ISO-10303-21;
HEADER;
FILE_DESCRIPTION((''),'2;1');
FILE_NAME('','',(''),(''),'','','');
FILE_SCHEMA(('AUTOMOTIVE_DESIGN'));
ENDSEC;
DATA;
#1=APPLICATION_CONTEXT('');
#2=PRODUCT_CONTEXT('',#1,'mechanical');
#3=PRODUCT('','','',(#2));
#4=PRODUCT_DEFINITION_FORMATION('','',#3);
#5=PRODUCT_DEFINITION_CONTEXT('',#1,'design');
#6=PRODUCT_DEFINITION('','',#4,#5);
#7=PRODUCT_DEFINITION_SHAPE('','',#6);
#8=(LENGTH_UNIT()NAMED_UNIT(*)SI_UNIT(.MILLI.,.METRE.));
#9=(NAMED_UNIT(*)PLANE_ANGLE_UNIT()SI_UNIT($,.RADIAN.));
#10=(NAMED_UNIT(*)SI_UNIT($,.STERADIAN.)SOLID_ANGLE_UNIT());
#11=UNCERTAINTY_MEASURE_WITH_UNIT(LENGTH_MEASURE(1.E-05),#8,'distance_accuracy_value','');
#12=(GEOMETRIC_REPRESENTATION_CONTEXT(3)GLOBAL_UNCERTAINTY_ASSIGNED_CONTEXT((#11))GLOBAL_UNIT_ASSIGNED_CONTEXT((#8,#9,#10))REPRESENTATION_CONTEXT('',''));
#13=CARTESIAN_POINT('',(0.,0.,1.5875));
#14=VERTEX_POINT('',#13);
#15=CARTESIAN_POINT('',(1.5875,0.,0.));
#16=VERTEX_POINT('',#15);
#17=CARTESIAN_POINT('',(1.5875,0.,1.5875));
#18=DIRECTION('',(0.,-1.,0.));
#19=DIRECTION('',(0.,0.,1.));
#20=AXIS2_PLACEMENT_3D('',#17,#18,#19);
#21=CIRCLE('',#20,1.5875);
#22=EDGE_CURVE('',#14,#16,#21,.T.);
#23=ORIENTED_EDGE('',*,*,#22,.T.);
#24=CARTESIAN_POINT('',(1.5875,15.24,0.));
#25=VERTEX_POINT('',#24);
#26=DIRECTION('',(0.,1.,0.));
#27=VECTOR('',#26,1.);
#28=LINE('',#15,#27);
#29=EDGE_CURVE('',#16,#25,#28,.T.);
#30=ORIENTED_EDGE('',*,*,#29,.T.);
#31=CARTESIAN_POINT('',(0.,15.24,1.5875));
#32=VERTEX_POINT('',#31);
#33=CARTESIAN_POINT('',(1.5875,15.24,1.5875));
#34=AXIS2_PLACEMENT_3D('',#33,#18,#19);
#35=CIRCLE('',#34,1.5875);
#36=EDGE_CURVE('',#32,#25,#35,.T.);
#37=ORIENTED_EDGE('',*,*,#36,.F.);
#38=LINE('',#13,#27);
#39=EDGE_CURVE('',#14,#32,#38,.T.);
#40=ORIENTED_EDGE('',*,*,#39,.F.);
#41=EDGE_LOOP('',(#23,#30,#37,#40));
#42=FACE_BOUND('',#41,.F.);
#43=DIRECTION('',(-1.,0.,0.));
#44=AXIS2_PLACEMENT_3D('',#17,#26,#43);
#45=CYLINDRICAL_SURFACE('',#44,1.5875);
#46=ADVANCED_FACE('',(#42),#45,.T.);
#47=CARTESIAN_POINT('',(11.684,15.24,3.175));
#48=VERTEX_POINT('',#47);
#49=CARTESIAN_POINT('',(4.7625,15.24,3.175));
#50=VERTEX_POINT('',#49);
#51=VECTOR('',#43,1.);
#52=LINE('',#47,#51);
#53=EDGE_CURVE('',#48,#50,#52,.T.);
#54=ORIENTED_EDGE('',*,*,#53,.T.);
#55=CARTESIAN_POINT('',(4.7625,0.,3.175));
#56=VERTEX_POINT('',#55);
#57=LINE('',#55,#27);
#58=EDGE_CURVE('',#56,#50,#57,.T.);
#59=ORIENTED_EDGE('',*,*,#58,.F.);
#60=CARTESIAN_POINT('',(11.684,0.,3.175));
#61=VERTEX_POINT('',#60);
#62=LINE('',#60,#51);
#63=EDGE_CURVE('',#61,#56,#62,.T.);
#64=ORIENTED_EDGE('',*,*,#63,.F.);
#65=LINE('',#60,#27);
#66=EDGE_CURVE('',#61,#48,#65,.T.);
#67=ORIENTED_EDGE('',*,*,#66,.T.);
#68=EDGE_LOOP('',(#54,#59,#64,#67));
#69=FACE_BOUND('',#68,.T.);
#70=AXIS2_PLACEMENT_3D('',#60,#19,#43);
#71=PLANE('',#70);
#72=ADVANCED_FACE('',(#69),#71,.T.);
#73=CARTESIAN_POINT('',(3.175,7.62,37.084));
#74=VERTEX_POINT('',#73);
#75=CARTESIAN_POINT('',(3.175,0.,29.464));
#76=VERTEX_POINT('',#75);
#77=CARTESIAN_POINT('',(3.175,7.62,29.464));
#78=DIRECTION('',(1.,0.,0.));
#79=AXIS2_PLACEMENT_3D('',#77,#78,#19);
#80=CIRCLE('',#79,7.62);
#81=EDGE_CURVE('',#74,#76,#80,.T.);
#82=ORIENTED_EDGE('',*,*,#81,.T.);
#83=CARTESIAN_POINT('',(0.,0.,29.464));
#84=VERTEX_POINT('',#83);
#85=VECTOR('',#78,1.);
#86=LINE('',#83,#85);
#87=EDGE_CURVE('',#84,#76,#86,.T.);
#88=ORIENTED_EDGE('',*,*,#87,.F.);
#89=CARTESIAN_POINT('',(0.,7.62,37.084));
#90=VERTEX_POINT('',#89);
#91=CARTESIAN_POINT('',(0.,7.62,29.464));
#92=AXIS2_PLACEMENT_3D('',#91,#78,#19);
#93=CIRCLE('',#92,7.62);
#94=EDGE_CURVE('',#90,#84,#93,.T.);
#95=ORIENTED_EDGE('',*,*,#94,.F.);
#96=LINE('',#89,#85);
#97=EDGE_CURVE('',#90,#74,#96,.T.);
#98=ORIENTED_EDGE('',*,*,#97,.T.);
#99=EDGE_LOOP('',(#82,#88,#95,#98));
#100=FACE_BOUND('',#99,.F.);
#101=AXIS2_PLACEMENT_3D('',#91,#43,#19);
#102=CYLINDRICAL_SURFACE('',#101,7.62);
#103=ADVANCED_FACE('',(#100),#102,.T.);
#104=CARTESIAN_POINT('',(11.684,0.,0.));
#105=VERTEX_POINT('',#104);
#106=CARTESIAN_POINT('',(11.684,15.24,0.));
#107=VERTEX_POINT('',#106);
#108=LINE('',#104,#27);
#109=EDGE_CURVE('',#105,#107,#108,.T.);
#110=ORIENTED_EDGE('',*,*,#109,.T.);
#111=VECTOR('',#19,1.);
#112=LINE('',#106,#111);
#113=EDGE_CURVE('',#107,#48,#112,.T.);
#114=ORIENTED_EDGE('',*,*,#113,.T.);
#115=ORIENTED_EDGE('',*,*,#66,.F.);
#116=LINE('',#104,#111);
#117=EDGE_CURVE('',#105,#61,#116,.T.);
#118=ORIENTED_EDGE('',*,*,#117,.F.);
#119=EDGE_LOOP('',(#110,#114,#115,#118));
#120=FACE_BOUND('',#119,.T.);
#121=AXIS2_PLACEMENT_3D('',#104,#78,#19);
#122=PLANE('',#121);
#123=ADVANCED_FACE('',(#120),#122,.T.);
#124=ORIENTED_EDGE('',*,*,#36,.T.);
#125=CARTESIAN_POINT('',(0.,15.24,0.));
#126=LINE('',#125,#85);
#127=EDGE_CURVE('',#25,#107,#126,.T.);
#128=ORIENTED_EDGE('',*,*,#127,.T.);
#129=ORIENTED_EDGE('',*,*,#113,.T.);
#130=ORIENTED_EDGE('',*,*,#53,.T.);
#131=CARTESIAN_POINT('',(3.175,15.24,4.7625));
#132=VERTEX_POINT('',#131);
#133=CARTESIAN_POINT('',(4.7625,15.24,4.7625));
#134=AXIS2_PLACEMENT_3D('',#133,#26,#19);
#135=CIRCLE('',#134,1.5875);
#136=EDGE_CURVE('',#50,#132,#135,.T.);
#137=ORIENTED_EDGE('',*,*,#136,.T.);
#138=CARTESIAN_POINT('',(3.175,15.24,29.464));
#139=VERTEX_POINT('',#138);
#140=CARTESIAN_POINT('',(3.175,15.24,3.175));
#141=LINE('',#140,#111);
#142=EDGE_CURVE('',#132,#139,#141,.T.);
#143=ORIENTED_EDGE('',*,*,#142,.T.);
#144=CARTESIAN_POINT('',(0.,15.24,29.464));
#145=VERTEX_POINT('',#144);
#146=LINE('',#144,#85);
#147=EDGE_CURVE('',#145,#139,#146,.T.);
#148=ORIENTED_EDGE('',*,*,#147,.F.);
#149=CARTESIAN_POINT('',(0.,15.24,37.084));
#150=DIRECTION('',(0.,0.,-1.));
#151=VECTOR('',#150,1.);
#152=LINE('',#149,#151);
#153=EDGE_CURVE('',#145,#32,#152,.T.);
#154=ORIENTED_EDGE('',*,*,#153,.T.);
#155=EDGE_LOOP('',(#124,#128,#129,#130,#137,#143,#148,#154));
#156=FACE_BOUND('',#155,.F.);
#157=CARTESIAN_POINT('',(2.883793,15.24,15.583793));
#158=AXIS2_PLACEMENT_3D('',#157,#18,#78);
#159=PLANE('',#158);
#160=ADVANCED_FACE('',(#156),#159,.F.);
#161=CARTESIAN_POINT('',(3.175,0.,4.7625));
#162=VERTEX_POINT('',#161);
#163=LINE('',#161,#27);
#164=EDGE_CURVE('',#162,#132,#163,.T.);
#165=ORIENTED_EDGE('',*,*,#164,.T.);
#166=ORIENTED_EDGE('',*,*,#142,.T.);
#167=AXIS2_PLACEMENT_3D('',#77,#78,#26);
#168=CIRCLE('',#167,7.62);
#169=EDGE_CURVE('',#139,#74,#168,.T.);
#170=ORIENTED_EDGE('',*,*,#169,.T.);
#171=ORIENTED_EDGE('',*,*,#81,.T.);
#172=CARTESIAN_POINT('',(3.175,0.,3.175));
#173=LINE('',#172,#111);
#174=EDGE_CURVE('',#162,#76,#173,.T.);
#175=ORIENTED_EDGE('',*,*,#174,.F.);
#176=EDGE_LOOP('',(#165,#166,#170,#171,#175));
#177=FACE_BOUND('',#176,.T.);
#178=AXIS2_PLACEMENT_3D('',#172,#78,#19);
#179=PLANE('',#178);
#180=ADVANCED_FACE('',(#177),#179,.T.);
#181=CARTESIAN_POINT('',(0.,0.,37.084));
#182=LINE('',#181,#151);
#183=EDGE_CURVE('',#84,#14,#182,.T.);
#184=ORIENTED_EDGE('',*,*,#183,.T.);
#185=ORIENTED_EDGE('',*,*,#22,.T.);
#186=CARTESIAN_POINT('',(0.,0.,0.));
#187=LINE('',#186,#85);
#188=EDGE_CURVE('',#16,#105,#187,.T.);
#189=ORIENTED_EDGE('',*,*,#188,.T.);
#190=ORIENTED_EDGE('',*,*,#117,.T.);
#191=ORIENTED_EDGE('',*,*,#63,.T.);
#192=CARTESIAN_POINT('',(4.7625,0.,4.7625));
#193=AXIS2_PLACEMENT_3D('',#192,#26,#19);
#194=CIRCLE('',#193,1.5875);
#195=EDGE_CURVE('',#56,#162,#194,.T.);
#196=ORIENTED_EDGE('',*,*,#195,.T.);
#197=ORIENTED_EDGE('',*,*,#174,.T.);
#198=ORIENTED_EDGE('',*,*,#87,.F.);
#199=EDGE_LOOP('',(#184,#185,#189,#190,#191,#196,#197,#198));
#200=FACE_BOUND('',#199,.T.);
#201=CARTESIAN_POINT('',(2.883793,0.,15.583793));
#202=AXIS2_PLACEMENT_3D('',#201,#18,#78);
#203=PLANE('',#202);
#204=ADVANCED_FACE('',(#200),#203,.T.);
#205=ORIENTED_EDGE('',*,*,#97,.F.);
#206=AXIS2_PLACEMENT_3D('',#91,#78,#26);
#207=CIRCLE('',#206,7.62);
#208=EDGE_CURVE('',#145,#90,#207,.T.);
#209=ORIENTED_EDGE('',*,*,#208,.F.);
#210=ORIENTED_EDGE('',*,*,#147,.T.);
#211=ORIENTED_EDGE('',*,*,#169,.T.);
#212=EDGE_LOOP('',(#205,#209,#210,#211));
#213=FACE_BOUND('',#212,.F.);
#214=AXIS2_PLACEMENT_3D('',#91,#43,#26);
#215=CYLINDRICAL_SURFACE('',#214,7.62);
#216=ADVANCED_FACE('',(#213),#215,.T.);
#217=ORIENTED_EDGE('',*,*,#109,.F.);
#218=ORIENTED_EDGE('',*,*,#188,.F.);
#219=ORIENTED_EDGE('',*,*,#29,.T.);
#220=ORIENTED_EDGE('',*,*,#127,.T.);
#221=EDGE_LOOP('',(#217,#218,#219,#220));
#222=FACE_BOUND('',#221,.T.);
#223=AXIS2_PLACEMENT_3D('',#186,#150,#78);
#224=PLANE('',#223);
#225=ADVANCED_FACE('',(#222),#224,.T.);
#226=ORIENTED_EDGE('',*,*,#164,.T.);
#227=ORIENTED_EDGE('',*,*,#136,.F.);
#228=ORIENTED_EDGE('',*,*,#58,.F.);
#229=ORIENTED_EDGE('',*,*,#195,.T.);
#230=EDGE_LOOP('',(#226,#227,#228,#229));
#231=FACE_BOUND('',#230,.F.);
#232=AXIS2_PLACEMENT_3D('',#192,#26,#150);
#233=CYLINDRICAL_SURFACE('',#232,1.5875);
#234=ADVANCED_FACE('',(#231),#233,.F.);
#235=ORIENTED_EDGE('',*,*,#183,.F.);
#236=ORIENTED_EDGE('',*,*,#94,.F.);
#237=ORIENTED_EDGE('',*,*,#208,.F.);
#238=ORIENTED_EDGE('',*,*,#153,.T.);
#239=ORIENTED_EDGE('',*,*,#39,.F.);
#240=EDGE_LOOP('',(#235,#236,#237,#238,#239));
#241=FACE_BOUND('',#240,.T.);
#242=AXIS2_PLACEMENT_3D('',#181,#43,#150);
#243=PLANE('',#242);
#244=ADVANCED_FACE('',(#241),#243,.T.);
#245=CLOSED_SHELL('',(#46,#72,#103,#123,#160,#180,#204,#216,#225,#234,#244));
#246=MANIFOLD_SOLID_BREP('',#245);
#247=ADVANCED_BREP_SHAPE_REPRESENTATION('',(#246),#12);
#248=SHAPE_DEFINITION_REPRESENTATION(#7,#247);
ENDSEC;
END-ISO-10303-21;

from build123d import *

# Parameters (mm, degrees)
F1_DEPTH = 15.24
F2_R     = 1.5875
F4_DEPTH = 3.175


with BuildPart() as f1:
    # F0 (on Front) → F1 (new body)
    with BuildSketch(Plane.XZ):
        Polygon((3.175, 37.084), (0, 37.084), (0, 0), (11.684, 0), (11.684, 3.175), (3.175, 3.175), align=None)
    extrude(amount=-F1_DEPTH)

    # F2
    f2_edges = [f1.edges().sort_by_distance(p)[0] for p in [
        (3.175, 7.62, 3.175),
        (0, 7.62, 0),
    ]]
    fillet(f2_edges, radius=F2_R)

    # F3 (on face) → F4 (cut, through all)
    with BuildSketch(Plane(origin=(0, 0, 0), x_dir=(0, -1, 0), z_dir=(-1, 0, 0))):
        with BuildLine():
            ThreePointArc((-15.24, 29.464), (-13.0081536726, 34.8521536726), (-7.62, 37.084))
            Line((-7.62, 37.084), (-15.24, 37.084))
            Line((-15.24, 37.084), (-15.24, 29.464))
        make_face()
        with BuildLine():
            ThreePointArc((-7.62, 37.084), (-2.2318463274, 34.8521536726), (0, 29.464))
            Line((0, 29.464), (0, 37.084))
            Line((0, 37.084), (-7.62, 37.084))
        make_face()
    extrude(amount=-F4_DEPTH, mode=Mode.SUBTRACT)


solid = f1.part
